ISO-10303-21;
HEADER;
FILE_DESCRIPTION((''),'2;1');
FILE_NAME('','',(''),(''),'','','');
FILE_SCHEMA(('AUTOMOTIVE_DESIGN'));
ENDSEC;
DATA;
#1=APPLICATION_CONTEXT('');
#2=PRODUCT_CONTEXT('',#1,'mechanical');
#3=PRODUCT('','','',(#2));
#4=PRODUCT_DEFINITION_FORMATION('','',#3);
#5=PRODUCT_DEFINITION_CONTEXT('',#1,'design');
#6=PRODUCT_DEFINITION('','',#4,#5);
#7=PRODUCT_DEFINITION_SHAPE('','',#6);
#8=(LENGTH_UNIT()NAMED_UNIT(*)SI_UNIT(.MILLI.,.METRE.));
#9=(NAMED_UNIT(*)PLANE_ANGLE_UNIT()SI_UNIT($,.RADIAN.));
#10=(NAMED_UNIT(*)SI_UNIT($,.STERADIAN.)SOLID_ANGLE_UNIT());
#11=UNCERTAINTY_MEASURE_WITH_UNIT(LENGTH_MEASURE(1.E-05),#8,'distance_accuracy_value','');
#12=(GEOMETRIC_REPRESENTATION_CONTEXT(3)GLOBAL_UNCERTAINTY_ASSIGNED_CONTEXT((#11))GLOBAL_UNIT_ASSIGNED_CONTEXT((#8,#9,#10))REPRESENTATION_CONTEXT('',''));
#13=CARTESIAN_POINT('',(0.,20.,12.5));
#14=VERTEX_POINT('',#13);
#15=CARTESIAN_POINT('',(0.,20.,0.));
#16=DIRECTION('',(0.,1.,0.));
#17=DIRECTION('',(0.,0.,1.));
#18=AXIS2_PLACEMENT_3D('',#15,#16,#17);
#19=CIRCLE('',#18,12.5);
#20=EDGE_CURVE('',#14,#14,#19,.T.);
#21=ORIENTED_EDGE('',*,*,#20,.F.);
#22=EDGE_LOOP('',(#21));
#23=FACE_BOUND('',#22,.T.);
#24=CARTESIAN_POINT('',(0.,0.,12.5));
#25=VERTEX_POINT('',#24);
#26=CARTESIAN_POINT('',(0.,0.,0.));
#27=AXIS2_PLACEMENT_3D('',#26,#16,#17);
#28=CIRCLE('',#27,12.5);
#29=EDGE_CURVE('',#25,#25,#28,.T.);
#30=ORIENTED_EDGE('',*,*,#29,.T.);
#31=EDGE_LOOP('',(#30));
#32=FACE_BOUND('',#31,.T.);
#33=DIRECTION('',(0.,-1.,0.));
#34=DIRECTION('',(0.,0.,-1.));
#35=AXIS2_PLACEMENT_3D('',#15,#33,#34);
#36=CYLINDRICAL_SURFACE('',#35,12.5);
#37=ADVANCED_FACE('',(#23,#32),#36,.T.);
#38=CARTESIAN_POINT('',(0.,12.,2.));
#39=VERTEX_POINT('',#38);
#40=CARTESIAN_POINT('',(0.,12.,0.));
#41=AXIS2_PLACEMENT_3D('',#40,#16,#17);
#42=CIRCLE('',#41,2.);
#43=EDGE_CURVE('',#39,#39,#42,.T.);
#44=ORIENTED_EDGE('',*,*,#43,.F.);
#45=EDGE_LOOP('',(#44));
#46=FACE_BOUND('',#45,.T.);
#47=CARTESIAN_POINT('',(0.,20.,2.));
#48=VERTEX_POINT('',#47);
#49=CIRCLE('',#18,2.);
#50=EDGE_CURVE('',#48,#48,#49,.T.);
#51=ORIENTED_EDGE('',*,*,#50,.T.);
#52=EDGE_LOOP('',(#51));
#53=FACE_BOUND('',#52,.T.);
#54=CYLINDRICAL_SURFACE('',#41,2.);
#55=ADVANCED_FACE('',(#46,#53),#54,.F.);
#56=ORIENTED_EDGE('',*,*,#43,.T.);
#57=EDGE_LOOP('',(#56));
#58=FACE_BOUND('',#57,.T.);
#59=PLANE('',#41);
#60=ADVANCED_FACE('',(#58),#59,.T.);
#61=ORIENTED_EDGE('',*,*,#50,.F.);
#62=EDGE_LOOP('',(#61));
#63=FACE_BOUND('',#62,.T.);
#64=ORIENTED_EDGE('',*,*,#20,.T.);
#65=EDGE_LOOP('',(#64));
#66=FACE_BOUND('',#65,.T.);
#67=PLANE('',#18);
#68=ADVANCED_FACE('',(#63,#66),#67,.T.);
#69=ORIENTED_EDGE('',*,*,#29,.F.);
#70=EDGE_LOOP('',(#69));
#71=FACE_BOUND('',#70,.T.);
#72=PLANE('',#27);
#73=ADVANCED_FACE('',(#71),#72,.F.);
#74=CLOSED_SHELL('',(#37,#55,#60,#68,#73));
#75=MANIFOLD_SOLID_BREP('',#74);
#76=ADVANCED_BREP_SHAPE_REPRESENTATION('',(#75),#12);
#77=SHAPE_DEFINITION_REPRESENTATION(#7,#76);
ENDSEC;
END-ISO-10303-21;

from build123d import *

# Parameters (mm, degrees)
SKETCH_1_R          = 12.5
EXTRUDE_1_DEPTH     = 20
SKETCH_2_R          = 2
CUT_EXTRUDE_1_DEPTH = 8


with BuildPart() as part:
    # 草图1 → 凸台-拉伸1 (new body)
    with BuildSketch(Plane(origin=(0, 0, 0), x_dir=(1, 0, 0), z_dir=(0, 1, 0))):
        with Locations(Location((0, 0, 0), (0, 0, 270))):
            Circle(SKETCH_1_R)
    extrude(amount=EXTRUDE_1_DEPTH)

    # 草图2 → 切除-拉伸1 (cut)
    with BuildSketch(Plane(origin=(0, 20, 0), x_dir=(1, 0, 0), z_dir=(0, 1, 0))):
        with Locations(Location((0, 0, 0), (0, 0, 270))):
            Circle(SKETCH_2_R)
    extrude(amount=-CUT_EXTRUDE_1_DEPTH, mode=Mode.SUBTRACT)


solid = part.part
